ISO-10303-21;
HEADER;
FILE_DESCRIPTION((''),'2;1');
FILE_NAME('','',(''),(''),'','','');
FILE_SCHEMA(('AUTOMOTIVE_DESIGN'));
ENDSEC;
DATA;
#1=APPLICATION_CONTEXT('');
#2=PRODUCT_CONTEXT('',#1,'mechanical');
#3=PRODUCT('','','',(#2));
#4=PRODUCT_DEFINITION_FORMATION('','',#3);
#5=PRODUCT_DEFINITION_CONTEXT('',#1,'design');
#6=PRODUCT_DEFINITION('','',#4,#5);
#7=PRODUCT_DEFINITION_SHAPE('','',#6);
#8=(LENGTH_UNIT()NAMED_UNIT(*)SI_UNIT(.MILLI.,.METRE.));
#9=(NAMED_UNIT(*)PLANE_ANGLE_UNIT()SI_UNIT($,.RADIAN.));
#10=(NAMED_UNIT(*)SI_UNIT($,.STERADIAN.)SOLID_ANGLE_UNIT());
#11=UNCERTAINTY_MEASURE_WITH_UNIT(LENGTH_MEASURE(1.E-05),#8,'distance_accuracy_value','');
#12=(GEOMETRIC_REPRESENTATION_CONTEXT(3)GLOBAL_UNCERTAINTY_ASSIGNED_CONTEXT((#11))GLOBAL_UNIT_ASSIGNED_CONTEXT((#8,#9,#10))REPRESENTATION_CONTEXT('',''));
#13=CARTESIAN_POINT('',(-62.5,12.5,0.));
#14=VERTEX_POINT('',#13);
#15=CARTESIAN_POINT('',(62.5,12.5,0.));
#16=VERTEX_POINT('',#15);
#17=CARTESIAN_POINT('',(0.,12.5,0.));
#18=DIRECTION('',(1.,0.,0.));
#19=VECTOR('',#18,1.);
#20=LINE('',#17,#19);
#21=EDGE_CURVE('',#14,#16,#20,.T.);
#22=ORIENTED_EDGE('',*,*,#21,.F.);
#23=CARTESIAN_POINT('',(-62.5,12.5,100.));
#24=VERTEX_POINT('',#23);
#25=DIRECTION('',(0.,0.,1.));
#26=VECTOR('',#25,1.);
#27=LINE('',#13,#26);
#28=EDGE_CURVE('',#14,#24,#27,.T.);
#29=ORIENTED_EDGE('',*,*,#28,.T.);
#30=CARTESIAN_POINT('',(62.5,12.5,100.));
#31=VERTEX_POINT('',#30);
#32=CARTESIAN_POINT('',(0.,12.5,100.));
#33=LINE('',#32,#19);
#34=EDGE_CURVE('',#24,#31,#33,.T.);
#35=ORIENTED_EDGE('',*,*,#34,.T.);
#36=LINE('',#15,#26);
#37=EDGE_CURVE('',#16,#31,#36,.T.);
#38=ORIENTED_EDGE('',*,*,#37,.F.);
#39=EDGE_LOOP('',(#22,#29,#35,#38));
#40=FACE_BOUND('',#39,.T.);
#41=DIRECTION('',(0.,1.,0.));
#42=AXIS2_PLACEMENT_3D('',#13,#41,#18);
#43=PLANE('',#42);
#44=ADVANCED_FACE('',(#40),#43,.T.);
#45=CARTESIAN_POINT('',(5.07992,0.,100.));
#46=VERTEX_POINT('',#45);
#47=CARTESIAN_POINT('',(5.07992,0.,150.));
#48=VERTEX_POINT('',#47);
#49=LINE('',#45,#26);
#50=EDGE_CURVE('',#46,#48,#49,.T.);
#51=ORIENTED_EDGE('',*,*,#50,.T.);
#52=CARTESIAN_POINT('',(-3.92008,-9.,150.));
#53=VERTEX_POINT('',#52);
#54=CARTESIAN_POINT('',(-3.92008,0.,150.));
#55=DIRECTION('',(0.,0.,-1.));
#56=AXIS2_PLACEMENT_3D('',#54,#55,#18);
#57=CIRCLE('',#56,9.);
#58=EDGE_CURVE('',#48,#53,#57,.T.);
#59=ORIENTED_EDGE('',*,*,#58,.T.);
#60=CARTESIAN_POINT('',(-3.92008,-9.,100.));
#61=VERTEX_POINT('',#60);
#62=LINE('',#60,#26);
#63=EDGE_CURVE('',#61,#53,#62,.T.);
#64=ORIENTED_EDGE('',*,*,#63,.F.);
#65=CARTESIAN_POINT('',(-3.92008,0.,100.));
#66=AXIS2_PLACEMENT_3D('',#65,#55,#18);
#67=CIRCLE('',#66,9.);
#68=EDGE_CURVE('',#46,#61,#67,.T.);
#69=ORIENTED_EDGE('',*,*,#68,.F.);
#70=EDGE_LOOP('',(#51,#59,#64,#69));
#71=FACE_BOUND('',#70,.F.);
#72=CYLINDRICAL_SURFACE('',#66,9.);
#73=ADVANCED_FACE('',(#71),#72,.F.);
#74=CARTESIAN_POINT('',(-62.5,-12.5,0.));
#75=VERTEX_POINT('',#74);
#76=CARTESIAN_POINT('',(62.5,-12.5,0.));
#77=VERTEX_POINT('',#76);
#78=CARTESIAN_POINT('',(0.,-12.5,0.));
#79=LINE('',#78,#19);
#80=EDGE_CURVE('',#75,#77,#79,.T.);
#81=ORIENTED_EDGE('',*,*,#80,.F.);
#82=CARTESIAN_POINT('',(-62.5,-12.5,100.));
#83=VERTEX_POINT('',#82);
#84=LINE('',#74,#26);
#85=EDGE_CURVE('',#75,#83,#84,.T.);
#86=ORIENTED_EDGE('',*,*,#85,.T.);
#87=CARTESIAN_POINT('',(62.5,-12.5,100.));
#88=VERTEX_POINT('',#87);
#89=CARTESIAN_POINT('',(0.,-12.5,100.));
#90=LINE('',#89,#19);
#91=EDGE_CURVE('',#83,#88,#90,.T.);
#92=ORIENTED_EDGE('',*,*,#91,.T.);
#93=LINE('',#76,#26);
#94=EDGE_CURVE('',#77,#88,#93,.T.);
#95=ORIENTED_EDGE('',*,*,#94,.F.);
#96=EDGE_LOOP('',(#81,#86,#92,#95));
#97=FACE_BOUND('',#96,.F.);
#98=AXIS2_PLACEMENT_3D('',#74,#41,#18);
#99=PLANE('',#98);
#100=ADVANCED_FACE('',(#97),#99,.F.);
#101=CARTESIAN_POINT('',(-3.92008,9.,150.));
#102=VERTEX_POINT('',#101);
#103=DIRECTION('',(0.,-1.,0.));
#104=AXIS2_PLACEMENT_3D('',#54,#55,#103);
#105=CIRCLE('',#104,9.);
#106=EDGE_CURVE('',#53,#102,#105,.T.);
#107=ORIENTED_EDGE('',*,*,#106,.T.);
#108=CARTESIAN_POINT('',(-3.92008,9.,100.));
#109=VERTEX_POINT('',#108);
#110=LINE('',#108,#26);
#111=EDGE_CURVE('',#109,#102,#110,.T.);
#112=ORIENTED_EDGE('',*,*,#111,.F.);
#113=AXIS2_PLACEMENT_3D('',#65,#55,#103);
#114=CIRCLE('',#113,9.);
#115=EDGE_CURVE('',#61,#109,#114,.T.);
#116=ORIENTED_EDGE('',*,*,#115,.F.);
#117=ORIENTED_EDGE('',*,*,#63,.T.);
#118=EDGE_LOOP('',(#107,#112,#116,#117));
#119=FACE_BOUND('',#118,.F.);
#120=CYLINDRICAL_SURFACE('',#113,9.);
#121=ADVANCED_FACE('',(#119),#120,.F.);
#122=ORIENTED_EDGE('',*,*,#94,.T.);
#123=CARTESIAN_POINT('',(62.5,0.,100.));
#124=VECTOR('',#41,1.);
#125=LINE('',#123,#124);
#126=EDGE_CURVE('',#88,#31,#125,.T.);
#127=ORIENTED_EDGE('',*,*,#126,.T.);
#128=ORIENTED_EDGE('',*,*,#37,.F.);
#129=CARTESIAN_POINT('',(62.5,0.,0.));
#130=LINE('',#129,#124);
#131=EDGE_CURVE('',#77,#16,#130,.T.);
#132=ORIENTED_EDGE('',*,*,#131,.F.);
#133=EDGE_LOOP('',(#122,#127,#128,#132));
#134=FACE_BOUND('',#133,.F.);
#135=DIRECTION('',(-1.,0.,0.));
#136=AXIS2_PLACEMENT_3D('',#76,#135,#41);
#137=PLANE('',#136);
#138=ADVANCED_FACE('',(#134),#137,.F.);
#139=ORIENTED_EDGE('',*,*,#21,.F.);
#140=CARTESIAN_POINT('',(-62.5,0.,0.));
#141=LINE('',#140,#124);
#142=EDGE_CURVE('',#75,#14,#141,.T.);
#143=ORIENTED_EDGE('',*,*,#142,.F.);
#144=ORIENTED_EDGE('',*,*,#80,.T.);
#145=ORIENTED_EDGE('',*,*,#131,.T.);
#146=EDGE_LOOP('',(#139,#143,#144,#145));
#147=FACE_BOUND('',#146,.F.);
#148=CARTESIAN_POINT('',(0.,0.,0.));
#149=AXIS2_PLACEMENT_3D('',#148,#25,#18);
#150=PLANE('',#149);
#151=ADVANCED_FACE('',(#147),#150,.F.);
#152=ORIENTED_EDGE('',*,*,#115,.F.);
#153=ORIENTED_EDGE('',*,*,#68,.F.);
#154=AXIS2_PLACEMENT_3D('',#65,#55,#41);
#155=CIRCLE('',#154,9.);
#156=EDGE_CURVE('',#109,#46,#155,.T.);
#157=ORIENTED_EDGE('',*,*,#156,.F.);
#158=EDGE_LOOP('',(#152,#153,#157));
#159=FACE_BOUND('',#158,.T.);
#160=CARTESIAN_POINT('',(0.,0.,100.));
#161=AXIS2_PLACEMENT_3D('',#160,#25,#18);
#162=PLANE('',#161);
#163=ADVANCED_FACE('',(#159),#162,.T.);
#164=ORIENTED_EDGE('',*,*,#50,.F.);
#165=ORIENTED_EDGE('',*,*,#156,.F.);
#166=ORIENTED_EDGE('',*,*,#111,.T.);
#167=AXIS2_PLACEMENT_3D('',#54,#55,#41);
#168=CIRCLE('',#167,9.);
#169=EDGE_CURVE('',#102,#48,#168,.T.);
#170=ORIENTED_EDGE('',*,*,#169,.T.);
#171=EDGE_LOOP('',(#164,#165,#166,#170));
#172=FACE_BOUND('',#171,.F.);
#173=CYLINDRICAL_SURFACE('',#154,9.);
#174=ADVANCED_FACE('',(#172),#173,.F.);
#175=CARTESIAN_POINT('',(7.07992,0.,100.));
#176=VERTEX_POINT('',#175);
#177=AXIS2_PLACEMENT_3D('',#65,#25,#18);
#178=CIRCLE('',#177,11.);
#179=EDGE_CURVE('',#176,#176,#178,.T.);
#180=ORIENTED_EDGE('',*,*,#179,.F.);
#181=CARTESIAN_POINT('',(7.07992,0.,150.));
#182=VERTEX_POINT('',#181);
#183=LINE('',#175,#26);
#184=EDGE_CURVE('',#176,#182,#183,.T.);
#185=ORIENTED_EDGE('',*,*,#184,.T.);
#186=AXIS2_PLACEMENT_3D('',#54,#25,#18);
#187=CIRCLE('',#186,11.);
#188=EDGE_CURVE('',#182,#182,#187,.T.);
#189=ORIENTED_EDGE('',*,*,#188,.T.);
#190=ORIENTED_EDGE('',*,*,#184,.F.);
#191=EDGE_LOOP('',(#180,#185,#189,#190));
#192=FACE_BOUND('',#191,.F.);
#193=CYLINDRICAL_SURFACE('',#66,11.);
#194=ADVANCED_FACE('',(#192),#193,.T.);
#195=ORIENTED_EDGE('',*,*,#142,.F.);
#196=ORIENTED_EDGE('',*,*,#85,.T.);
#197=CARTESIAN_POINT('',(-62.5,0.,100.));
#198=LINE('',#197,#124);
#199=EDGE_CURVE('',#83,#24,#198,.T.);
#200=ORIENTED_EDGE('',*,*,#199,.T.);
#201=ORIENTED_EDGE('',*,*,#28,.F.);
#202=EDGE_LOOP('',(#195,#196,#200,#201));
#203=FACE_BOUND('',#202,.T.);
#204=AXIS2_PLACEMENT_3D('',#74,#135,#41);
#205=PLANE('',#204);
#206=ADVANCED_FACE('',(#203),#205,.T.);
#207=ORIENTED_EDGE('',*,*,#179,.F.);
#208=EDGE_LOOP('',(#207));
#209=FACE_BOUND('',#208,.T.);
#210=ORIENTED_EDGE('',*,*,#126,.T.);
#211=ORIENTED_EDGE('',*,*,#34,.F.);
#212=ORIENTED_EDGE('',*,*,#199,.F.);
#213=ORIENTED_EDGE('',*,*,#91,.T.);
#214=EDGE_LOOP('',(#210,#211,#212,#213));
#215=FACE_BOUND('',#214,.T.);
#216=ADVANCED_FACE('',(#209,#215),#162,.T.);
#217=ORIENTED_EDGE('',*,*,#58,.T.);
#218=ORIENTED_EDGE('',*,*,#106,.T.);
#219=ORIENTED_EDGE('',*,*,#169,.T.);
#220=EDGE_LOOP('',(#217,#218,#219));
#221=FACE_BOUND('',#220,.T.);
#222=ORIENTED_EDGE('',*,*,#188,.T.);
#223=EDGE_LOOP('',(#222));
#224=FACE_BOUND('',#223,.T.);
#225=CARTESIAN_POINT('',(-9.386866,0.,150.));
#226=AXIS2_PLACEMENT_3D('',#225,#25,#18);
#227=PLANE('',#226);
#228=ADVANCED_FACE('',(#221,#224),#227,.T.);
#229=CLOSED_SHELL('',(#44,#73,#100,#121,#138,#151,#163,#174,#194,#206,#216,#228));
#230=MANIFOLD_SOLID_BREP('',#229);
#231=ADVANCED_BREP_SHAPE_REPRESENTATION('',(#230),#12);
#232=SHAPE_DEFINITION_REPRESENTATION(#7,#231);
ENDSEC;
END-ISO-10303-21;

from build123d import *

# Parameters (mm, degrees)
F0_W     = 125
F0_H     = 25
F1_DEPTH = 100
F3_DEPTH = 50


with BuildPart() as f1:
    # F0 (on Top) → F1 (new body)
    with BuildSketch(Plane.XY):
        Rectangle(F0_W, F0_H)
    extrude(amount=F1_DEPTH)

    # F2 (on face) → F3 (join)
    with BuildSketch(Plane.XY.offset(100)):
        with BuildLine():
            Line((-3.9200801402, 9), (-3.9200801402, 11))
            ThreePointArc((-3.9200801402, 11), (-14.9200801402, 0), (-3.9200801402, -11))
            Line((-3.9200801402, -11), (-3.9200801402, -9))
            ThreePointArc((-3.9200801402, -9), (-12.9200801402, 0), (-3.9200801402, 9))
        make_face()
        with BuildLine():
            ThreePointArc((7.0799198598, 0), (3.8580944528, 7.7781745931), (-3.9200801402, 11))
            Line((-3.9200801402, 11), (-3.9200801402, 9))
            ThreePointArc((-3.9200801402, 9), (2.4438808904, 6.3639610307), (5.0799198598, 0))
            ThreePointArc((5.0799198598, 0), (2.4438808904, -6.3639610307), (-3.9200801402, -9))
            Line((-3.9200801402, -9), (-3.9200801402, -11))
            ThreePointArc((-3.9200801402, -11), (3.8580944528, -7.7781745931), (7.0799198598, 0))
        make_face()
    extrude(amount=F3_DEPTH)


solid = f1.part
